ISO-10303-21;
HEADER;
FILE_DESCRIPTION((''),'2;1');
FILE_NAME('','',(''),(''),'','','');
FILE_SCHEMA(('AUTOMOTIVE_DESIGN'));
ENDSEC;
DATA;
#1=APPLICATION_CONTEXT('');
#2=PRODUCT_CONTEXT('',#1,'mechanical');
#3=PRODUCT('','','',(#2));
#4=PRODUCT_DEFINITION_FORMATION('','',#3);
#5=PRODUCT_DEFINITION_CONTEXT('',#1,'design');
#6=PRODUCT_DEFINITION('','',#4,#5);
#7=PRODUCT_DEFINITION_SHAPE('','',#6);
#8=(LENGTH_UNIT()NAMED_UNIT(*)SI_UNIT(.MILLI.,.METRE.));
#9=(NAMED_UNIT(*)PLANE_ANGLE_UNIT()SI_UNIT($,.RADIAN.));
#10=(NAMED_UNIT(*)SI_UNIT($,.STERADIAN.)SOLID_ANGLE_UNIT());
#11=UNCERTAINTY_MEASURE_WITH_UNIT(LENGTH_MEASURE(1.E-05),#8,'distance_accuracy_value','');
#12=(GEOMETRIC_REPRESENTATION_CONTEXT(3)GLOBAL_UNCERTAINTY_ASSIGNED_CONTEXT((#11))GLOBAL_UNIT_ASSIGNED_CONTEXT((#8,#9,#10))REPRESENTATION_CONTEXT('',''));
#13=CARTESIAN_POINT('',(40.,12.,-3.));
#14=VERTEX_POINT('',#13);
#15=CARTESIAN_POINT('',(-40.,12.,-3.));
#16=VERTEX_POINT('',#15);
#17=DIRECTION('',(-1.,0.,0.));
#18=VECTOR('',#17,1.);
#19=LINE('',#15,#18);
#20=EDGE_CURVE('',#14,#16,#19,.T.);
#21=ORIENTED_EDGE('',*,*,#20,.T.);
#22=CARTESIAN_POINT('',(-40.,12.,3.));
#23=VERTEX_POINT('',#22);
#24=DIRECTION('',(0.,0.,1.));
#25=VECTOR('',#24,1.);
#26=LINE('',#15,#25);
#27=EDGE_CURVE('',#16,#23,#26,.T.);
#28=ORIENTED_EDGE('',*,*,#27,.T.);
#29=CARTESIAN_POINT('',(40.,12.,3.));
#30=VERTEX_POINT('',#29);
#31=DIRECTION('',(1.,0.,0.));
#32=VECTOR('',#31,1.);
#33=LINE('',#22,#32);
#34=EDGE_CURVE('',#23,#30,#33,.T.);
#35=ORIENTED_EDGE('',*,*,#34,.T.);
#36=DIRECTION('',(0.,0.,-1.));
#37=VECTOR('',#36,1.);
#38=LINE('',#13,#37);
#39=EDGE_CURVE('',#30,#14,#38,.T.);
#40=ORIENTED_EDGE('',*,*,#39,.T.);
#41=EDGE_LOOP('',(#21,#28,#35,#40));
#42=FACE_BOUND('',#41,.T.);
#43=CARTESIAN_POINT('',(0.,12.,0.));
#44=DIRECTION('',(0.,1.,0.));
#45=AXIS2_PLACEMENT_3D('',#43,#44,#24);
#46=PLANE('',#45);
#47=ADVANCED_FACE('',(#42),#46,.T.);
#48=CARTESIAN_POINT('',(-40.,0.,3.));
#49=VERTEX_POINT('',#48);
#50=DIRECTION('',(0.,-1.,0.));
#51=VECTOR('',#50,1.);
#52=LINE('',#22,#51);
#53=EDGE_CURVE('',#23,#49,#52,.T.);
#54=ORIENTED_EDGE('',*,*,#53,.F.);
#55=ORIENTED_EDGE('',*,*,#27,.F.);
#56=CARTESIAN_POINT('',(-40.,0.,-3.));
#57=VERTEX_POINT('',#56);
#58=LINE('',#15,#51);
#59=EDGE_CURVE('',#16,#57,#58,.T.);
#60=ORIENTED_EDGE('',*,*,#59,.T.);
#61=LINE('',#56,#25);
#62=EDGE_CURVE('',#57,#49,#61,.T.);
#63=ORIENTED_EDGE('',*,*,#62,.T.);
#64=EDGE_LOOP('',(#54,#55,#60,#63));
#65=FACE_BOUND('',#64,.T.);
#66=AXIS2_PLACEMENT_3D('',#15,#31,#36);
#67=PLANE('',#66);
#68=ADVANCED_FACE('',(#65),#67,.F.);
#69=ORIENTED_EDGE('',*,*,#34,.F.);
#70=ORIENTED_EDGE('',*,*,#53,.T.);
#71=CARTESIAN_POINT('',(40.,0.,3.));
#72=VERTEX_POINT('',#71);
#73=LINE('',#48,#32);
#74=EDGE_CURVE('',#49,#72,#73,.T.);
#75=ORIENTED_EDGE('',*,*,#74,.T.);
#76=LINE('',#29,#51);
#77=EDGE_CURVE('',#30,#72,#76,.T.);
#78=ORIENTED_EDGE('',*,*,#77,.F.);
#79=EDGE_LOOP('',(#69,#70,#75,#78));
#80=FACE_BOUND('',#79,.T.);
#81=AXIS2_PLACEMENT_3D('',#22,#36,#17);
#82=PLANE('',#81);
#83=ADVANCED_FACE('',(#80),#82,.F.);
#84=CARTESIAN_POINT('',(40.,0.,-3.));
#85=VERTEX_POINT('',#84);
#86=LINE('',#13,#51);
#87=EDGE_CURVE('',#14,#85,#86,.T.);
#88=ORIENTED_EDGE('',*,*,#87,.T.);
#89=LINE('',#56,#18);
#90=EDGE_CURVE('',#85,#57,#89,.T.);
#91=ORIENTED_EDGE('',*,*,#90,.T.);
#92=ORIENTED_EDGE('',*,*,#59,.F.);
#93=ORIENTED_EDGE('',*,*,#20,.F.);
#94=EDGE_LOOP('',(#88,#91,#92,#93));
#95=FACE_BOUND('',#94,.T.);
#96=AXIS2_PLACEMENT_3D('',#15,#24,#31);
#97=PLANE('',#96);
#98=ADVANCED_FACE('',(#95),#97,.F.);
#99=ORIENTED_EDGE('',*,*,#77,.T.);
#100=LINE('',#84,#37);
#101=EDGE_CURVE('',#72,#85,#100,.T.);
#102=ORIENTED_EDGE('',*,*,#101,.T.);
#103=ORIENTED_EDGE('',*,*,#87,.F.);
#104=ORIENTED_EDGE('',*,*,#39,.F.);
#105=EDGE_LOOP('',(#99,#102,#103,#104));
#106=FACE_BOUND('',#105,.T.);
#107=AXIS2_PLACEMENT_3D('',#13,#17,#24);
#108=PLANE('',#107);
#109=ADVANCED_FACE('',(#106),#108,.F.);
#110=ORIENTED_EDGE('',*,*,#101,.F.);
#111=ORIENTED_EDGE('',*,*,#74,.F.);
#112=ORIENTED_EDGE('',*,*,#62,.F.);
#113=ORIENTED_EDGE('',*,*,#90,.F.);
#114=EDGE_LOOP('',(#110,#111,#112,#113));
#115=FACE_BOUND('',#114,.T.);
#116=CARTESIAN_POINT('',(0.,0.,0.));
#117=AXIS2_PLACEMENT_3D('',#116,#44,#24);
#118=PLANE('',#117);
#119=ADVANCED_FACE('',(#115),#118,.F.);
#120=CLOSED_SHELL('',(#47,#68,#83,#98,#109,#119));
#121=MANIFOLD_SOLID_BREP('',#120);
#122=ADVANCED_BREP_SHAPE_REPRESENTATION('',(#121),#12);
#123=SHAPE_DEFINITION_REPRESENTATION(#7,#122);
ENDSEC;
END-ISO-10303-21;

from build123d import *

# Parameters (mm, degrees)
SKETCH_1_W      = 80
SKETCH_1_H      = 6
EXTRUDE_1_DEPTH = 12


with BuildPart() as part:
    # 草图1 → 凸台-拉伸1 (new body)
    with BuildSketch(Plane(origin=(0, 0, 0), x_dir=(1, 0, 0), z_dir=(0, 1, 0))):
        Rectangle(SKETCH_1_W, SKETCH_1_H)
    extrude(amount=EXTRUDE_1_DEPTH)


solid = part.part
